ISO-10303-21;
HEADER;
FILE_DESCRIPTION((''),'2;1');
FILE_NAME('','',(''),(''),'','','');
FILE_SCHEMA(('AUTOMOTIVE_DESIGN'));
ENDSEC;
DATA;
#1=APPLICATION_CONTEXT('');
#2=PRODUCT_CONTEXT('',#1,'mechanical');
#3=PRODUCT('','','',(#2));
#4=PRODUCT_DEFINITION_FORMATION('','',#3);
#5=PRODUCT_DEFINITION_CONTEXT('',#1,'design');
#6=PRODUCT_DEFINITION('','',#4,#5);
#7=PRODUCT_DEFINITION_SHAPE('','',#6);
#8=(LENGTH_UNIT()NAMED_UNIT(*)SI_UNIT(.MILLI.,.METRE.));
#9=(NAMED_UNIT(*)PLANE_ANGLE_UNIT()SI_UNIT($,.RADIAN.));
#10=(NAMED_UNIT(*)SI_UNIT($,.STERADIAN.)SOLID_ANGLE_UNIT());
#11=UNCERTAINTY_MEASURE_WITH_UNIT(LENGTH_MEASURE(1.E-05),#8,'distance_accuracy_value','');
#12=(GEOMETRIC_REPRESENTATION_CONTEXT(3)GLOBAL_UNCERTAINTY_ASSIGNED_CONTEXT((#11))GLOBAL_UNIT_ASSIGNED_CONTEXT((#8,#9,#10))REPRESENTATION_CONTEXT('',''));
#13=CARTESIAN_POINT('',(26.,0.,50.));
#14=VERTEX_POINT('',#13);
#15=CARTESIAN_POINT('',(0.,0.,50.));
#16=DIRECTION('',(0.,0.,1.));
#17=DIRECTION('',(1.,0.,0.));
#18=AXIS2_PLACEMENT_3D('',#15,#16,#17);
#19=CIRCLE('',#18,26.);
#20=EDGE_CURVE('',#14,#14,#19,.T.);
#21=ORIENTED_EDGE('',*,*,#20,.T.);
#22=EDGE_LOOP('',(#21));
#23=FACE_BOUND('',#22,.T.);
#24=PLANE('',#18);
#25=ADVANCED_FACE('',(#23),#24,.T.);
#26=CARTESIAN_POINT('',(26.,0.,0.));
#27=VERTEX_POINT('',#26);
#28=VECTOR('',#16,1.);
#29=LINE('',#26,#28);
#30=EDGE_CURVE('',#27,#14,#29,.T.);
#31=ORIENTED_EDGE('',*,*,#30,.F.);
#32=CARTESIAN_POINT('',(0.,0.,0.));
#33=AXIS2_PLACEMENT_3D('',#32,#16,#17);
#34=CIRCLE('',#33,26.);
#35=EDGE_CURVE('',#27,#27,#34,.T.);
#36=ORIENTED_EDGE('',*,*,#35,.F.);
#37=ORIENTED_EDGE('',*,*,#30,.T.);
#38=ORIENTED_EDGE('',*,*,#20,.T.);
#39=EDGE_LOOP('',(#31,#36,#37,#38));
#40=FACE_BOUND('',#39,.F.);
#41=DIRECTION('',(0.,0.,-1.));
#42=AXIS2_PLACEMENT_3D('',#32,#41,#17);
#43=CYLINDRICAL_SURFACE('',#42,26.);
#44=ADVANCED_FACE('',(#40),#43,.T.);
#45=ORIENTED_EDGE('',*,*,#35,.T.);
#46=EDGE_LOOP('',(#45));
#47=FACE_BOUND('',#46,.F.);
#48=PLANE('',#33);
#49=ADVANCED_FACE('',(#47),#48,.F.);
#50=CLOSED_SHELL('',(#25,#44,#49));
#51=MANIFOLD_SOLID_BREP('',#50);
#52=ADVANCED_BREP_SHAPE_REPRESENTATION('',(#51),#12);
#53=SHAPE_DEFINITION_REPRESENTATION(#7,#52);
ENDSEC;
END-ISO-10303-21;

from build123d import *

# Parameters (mm, degrees)
F0_R     = 26
F1_DEPTH = 50
F2_R     = 37.5
F2_R_2   = 26
F3_DEPTH = 25


with BuildPart() as f1:
    # F0 (on Top) → F1 (new body)
    with BuildSketch(Plane.XY):
        Circle(F0_R)
    extrude(amount=F1_DEPTH)

    # F2 (on face) → F3 (cut)
    with BuildSketch(Plane.XY.offset(50)):
        Circle(F2_R)
        Circle(F2_R_2, mode=Mode.SUBTRACT)
    extrude(amount=F3_DEPTH, mode=Mode.SUBTRACT)


solid = f1.part
